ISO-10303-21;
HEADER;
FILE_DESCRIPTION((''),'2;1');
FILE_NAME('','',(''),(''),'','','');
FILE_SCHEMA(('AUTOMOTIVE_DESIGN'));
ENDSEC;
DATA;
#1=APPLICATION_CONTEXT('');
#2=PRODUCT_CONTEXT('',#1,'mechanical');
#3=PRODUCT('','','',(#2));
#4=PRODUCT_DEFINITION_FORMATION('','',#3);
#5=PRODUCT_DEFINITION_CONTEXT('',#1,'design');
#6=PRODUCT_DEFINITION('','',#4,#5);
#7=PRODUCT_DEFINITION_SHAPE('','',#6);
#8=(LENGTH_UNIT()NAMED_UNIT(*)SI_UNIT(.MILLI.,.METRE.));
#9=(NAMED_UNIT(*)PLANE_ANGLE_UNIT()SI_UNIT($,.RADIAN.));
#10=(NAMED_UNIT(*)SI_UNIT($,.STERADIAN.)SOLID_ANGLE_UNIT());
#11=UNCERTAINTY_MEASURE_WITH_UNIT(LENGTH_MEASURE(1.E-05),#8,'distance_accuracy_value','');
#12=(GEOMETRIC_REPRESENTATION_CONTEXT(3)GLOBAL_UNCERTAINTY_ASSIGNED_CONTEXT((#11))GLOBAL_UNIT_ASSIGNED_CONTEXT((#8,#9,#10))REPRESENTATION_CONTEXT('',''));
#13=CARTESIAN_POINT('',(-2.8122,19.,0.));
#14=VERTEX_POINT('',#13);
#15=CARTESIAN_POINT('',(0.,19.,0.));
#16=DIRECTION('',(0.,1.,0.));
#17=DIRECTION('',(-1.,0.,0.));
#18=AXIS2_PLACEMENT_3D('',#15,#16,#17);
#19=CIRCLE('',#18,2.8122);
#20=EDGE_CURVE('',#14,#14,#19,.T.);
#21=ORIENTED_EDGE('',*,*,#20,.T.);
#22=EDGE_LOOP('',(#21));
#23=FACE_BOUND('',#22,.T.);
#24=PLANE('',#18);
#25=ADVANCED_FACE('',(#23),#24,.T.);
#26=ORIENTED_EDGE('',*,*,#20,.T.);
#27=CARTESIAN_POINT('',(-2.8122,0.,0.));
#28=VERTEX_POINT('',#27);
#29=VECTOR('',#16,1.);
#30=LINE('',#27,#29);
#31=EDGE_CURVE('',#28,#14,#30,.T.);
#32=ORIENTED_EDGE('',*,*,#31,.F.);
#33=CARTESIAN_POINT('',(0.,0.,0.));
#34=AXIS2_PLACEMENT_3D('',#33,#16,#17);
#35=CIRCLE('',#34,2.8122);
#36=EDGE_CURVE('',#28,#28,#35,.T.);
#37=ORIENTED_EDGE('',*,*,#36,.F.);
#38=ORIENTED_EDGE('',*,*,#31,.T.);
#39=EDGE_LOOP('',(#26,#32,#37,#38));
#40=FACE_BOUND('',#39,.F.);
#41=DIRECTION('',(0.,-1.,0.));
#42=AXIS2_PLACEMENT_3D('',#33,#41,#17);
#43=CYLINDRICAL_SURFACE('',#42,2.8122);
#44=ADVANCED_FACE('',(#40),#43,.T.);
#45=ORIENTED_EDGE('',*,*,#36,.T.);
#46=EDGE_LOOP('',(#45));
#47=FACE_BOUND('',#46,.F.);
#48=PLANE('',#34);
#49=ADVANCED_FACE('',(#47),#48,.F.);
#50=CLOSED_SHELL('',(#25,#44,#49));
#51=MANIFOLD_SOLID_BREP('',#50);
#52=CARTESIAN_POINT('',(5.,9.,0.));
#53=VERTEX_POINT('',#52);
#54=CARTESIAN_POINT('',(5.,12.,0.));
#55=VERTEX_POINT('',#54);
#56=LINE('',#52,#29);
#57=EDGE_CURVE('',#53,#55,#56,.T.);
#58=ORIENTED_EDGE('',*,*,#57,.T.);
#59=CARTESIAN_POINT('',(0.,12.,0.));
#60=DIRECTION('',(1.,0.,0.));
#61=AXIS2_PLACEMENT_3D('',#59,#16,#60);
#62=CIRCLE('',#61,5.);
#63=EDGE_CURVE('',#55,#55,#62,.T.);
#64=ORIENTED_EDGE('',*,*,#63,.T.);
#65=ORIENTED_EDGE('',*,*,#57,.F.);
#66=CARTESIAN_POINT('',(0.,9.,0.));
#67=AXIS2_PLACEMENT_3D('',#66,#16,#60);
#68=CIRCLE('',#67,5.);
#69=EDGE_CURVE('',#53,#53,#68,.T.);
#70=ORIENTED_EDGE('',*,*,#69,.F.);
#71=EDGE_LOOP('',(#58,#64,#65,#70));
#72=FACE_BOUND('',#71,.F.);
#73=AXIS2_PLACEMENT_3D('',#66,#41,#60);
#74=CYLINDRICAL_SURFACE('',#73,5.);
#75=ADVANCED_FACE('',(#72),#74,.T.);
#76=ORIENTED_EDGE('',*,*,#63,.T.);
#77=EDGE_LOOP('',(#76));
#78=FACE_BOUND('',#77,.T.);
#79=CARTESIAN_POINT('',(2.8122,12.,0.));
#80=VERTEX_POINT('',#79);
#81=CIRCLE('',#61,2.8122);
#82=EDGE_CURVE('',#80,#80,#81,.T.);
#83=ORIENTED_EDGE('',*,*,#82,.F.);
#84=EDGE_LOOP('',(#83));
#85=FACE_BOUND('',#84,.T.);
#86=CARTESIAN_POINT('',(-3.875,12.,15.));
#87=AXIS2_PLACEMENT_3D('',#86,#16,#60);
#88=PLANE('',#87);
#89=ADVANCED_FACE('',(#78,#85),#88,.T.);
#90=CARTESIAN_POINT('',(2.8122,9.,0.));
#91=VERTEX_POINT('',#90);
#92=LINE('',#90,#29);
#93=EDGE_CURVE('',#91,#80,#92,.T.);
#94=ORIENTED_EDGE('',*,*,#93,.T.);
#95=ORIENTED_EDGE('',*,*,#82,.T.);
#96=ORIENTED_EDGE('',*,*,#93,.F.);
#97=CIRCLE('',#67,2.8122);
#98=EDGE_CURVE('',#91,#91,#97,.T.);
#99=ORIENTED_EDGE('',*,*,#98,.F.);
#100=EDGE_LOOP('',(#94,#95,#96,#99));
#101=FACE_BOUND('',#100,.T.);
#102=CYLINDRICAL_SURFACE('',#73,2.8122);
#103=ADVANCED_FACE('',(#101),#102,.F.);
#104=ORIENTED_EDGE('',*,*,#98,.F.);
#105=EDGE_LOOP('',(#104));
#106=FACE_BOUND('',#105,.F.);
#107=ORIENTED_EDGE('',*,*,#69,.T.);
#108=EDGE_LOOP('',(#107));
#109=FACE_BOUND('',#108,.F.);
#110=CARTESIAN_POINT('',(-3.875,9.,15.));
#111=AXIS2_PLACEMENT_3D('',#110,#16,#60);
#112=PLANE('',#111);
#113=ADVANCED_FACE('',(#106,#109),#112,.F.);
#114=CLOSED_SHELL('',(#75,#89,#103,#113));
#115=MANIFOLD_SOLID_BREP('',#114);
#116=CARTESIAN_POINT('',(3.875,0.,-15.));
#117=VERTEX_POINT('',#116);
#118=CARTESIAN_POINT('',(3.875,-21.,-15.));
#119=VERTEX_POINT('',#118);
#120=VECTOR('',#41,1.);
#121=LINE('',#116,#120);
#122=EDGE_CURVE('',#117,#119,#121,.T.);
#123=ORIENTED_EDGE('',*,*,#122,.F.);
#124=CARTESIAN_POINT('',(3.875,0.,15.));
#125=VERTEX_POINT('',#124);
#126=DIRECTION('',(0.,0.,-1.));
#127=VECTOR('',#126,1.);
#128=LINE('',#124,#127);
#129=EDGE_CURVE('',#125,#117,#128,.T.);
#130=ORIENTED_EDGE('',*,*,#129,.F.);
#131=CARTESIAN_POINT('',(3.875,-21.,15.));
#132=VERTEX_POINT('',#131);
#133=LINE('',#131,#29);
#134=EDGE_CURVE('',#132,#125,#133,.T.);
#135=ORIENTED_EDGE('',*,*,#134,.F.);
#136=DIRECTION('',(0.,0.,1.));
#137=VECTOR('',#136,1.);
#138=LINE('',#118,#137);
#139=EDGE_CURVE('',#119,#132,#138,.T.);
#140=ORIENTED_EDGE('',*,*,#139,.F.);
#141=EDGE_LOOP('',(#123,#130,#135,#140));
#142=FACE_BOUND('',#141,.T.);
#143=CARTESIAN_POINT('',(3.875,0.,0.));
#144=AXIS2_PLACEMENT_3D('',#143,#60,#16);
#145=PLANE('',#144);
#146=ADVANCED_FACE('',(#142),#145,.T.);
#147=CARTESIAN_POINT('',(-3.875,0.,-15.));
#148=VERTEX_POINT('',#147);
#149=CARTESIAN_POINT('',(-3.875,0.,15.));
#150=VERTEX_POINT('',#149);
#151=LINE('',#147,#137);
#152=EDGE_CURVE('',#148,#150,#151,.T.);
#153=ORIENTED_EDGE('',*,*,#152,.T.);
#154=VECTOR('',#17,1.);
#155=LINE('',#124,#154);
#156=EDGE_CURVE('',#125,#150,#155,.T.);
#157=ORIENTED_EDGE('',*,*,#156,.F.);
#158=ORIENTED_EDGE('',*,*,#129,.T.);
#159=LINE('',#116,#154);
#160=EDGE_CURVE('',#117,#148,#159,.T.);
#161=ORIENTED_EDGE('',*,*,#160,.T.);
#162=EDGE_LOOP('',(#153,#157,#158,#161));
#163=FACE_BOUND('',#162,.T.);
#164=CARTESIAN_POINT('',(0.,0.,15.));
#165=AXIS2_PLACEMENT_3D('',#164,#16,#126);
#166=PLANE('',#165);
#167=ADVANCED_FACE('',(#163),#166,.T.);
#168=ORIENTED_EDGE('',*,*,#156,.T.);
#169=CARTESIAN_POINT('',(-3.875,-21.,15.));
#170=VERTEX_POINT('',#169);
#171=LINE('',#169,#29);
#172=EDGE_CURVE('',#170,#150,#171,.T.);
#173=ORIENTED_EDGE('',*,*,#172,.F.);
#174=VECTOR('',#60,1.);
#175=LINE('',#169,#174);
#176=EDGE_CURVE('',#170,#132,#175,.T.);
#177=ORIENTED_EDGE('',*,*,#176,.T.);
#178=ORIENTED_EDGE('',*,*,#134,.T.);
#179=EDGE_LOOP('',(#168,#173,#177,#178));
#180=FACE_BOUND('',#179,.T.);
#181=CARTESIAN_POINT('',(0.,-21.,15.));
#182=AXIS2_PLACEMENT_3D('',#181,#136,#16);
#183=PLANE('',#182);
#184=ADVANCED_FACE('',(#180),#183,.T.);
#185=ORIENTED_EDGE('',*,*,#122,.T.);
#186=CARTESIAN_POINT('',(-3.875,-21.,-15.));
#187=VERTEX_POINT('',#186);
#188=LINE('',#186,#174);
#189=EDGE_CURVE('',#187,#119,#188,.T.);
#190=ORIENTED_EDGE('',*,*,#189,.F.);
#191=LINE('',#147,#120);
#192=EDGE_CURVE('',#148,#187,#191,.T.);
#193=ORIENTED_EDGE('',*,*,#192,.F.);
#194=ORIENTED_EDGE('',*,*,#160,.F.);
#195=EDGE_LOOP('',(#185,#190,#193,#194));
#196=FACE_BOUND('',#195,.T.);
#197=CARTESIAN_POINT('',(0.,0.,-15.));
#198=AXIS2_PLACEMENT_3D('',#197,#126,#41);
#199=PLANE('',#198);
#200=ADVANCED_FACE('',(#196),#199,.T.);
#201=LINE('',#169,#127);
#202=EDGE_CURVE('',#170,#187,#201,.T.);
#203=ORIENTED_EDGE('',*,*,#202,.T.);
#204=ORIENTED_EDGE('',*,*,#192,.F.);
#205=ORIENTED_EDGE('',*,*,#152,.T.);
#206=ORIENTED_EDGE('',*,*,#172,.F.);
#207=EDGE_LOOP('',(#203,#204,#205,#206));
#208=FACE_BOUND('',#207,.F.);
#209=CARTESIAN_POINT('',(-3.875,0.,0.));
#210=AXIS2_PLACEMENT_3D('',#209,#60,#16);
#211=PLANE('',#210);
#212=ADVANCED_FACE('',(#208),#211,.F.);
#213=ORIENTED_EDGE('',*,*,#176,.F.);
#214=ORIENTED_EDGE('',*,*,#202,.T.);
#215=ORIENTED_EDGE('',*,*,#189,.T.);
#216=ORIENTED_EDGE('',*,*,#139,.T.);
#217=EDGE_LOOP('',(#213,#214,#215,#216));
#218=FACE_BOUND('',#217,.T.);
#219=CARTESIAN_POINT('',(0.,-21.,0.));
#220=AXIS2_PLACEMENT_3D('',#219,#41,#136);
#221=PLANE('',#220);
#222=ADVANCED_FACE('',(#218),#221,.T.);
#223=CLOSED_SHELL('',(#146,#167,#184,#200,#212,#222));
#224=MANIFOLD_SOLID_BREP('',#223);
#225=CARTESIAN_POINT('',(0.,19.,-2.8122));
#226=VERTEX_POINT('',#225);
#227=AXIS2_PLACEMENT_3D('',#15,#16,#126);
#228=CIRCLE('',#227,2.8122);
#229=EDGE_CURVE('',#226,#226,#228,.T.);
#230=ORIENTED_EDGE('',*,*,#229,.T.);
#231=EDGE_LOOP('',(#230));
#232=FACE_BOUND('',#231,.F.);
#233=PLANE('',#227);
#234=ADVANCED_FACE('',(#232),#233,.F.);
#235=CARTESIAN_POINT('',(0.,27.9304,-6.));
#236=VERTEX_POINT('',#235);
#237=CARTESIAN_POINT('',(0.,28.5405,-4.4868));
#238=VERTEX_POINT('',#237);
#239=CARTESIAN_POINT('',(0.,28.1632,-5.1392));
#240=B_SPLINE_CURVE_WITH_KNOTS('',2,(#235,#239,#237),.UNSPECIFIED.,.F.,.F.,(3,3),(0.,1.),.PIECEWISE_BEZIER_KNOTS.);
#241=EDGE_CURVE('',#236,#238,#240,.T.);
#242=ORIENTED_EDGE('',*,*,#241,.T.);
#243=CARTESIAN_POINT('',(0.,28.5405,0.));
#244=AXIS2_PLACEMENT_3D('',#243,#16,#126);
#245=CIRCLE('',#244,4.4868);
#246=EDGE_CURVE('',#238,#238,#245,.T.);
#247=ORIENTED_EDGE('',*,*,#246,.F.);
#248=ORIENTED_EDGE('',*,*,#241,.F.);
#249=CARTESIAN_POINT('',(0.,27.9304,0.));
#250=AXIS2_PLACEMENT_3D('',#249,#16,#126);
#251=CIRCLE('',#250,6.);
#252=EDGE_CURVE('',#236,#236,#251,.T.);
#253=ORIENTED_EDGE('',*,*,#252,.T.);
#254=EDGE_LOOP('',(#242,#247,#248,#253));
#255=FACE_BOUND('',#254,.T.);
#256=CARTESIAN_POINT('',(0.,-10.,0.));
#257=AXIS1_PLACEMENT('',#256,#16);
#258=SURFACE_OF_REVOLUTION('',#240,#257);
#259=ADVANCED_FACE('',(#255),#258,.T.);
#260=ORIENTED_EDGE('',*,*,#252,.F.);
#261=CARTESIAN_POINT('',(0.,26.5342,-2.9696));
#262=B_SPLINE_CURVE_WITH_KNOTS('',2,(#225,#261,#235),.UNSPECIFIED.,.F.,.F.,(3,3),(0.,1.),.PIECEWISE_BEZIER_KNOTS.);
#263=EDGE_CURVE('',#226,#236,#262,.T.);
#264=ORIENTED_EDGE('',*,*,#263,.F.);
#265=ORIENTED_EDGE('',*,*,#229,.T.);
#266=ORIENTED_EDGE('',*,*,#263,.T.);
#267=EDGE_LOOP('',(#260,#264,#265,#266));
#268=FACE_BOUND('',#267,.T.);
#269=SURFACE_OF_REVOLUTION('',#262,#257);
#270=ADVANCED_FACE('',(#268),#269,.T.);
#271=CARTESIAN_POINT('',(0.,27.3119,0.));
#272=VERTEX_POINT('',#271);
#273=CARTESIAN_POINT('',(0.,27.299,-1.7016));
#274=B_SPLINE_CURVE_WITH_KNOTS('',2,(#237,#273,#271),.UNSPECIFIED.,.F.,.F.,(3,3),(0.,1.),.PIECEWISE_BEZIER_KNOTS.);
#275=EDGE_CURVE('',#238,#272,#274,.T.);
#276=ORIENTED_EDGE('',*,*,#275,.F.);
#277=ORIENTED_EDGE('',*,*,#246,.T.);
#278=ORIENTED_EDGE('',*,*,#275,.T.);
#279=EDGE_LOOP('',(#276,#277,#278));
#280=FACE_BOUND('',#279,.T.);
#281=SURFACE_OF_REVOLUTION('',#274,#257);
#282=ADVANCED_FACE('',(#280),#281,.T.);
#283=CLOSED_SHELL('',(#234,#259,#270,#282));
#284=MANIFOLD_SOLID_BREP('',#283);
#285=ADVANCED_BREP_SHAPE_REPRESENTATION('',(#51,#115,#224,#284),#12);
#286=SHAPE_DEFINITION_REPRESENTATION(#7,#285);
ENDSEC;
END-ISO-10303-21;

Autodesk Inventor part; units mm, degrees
ref_plane "YZ Plane" through (0, 0, 0) normal (1, 0, 0) x (0, 1, 0)
ref_plane "XZ Plane" through (0, 0, 0) normal (0, 1, 0) x (-1, 0, 0)
sketch "Sketch1" plane through (0, 0, 0) normal (0, 1, 0) x (-1, 0, 0)
  circle A0 centre (0, 0) radius 2.8122
extrude "Extrusion1" add sketch "Sketch1" along normal blind 19
sketch "Sketch2" plane through (0, 0, 0) normal (1, 0, 0) x (0, 1, 0)
  spline S0 degree 2 poles (19, -2.8122) (26.5342, -2.9696) (27.9304, -6) knots 0 0 0 1 1 1
  spline S1 degree 2 poles (27.9304, -6) (28.1632, -5.1392) (28.5405, -4.4868) knots 0 0 0 1 1 1
  spline S2 degree 2 poles (28.5405, -4.4868) (27.299, -1.7016) (27.3119, 0) knots 0 0 0 1 1 1
  line L0 (-5.7153, 0) -> (34.2916, 0) projected
  line L1 (19, 2.8122) -> (19, -2.8122) construction
  line L2 (19, -2.8122) -> (19, 2.8122) projected
  line L3 (19, -2.8122) -> (19, 0)
  line L4 (19, 0) -> (27.3119, 0)
  point P0 (0, 0)
  point P1 (25.9548, -4.0972)
  point P2 (28.2123, -5.1594)
  point P3 (27.5285, -1.6463)
  dimension "d2" = 6
revolve "Revolution1" add sketch "Sketch2" angle 360 about axis through (0, -10, 0) along (0, 1, 0) separate body
sketch "Sketch3" plane through (0, 0, 0) normal (1, 0, 0) x (0, 1, 0)
  line L0 (-21, 15) -> (0, 15)
  line L1 (0, 15) -> (0, -15)
  line L2 (0, -15) -> (-21, -15)
  line L3 (-21, -15) -> (-21, 15)
  line L4 (-21, 15) -> (0, -15) construction
  line L5 (0, 15) -> (-21, -15) construction
  line L6 (-25.2, 0) -> (4.2, 0) projected
  point P0 (0, 0)
  point P1 (-10.5, 0)
  point P2 (-10.5, 0)
  dimension "d4" = 30
  dimension "d5" = 21
extrude "Extrusion2" add sketch "Sketch3" along normal mid plane 7.75 separate body
ref_plane "Work Plane1" through (-3.875, 9, 15) normal (0, 1, 0) x (1, 0, 0)
sketch "Sketch4" plane through (-3.875, 9, 15) normal (0, 1, 0) x (1, 0, 0)
  circle A0 centre (3.875, 15) radius 5
  circle A1 centre (3.875, 15) radius 2.8122 projected
  dimension "d9" = 10
extrude "Extrusion3" add sketch "Sketch4" along normal blind 3 separate body
equation "\"d0\" = l_fastener_button"
equation "\"wl_panel\" = 285"
equation "\"t_panel\" = 8"
equation "\"r_button\" = 8"
equation "\"l_stereo\" = 178"
equation "\"d_stereo\" = 177"
equation "\"w_label\" = 15"
equation "\"r_labelscrew\" = 2.5"
equation "\"ro_labelscrew\" = 5"
equation "\"l_buttontobutton\" = 25"
equation "\"r_usboutlet\" = 29"
equation "\"l_fastener_button\" = 19"
properties part number "dragswitch"
